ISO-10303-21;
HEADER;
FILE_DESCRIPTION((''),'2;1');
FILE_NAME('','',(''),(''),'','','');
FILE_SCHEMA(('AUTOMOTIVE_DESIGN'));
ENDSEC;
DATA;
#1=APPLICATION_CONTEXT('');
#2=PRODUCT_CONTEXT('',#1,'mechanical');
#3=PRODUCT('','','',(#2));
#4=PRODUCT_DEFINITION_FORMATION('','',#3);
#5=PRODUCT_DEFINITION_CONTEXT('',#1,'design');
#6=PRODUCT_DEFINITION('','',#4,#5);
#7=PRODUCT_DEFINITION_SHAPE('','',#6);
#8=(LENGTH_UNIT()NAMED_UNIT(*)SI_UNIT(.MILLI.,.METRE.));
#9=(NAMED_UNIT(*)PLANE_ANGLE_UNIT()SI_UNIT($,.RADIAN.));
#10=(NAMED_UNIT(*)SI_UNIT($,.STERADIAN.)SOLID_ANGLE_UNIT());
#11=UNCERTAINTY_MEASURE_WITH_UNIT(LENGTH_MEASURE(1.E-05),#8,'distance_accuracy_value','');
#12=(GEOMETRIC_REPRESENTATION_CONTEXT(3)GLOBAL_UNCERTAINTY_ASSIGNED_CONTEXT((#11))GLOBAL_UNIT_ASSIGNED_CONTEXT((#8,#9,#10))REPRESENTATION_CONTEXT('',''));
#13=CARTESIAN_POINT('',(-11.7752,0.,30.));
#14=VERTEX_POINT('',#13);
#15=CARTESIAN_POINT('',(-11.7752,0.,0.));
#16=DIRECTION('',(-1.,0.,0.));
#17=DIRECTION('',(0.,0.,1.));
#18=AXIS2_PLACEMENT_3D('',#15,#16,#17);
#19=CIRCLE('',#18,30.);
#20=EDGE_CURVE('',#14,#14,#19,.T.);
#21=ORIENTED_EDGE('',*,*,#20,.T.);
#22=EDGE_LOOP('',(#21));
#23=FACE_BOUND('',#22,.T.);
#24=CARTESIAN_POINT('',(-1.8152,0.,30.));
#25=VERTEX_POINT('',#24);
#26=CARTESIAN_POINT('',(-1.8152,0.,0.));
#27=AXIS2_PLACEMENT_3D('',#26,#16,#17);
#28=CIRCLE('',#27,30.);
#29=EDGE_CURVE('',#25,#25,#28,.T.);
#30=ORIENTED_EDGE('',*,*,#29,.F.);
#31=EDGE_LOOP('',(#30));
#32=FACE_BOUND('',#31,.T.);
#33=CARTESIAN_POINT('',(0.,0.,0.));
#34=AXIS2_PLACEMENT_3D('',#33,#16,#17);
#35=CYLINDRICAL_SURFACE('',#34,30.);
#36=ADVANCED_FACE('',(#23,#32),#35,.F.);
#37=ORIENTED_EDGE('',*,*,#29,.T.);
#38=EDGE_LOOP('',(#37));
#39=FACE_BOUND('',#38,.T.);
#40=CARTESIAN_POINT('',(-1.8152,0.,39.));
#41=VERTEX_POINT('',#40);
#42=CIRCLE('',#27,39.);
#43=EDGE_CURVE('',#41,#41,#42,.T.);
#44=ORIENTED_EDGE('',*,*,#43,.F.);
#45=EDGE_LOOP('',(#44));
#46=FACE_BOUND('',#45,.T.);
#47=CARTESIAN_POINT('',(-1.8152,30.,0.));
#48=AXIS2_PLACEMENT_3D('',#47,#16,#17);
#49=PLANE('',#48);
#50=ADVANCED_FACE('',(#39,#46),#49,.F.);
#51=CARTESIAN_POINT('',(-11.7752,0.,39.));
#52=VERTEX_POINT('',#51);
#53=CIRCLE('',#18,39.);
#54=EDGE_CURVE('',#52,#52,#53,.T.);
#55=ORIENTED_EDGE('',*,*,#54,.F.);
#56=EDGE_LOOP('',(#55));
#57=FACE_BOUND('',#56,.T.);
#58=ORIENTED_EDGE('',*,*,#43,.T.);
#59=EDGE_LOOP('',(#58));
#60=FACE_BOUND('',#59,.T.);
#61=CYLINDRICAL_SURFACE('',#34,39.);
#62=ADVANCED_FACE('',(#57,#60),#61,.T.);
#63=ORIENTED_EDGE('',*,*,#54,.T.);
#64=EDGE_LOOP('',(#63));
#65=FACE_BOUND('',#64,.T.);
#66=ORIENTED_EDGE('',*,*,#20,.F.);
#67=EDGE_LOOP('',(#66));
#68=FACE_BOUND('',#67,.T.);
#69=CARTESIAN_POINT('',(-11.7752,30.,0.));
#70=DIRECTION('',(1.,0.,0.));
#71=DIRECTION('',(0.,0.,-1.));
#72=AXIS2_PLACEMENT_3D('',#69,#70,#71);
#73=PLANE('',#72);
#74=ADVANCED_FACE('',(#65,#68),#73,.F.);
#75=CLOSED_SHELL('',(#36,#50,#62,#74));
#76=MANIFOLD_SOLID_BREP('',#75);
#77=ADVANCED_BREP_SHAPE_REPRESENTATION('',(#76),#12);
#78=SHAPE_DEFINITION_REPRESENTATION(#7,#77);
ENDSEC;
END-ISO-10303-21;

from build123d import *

# Parameters (mm, degrees)
SKETCH3_W = 9.959999892
SKETCH3_H = 9.000000034


with BuildPart() as part:
    # Sketch3 → Revolve1 (revolve)
    with BuildSketch(Plane.XY):
        with Locations((-6.79519977, 34.499999961)):
            Rectangle(SKETCH3_W, SKETCH3_H)
    revolve(axis=Axis((0, 0, 0), (1, 0, 0)))


solid = part.part
